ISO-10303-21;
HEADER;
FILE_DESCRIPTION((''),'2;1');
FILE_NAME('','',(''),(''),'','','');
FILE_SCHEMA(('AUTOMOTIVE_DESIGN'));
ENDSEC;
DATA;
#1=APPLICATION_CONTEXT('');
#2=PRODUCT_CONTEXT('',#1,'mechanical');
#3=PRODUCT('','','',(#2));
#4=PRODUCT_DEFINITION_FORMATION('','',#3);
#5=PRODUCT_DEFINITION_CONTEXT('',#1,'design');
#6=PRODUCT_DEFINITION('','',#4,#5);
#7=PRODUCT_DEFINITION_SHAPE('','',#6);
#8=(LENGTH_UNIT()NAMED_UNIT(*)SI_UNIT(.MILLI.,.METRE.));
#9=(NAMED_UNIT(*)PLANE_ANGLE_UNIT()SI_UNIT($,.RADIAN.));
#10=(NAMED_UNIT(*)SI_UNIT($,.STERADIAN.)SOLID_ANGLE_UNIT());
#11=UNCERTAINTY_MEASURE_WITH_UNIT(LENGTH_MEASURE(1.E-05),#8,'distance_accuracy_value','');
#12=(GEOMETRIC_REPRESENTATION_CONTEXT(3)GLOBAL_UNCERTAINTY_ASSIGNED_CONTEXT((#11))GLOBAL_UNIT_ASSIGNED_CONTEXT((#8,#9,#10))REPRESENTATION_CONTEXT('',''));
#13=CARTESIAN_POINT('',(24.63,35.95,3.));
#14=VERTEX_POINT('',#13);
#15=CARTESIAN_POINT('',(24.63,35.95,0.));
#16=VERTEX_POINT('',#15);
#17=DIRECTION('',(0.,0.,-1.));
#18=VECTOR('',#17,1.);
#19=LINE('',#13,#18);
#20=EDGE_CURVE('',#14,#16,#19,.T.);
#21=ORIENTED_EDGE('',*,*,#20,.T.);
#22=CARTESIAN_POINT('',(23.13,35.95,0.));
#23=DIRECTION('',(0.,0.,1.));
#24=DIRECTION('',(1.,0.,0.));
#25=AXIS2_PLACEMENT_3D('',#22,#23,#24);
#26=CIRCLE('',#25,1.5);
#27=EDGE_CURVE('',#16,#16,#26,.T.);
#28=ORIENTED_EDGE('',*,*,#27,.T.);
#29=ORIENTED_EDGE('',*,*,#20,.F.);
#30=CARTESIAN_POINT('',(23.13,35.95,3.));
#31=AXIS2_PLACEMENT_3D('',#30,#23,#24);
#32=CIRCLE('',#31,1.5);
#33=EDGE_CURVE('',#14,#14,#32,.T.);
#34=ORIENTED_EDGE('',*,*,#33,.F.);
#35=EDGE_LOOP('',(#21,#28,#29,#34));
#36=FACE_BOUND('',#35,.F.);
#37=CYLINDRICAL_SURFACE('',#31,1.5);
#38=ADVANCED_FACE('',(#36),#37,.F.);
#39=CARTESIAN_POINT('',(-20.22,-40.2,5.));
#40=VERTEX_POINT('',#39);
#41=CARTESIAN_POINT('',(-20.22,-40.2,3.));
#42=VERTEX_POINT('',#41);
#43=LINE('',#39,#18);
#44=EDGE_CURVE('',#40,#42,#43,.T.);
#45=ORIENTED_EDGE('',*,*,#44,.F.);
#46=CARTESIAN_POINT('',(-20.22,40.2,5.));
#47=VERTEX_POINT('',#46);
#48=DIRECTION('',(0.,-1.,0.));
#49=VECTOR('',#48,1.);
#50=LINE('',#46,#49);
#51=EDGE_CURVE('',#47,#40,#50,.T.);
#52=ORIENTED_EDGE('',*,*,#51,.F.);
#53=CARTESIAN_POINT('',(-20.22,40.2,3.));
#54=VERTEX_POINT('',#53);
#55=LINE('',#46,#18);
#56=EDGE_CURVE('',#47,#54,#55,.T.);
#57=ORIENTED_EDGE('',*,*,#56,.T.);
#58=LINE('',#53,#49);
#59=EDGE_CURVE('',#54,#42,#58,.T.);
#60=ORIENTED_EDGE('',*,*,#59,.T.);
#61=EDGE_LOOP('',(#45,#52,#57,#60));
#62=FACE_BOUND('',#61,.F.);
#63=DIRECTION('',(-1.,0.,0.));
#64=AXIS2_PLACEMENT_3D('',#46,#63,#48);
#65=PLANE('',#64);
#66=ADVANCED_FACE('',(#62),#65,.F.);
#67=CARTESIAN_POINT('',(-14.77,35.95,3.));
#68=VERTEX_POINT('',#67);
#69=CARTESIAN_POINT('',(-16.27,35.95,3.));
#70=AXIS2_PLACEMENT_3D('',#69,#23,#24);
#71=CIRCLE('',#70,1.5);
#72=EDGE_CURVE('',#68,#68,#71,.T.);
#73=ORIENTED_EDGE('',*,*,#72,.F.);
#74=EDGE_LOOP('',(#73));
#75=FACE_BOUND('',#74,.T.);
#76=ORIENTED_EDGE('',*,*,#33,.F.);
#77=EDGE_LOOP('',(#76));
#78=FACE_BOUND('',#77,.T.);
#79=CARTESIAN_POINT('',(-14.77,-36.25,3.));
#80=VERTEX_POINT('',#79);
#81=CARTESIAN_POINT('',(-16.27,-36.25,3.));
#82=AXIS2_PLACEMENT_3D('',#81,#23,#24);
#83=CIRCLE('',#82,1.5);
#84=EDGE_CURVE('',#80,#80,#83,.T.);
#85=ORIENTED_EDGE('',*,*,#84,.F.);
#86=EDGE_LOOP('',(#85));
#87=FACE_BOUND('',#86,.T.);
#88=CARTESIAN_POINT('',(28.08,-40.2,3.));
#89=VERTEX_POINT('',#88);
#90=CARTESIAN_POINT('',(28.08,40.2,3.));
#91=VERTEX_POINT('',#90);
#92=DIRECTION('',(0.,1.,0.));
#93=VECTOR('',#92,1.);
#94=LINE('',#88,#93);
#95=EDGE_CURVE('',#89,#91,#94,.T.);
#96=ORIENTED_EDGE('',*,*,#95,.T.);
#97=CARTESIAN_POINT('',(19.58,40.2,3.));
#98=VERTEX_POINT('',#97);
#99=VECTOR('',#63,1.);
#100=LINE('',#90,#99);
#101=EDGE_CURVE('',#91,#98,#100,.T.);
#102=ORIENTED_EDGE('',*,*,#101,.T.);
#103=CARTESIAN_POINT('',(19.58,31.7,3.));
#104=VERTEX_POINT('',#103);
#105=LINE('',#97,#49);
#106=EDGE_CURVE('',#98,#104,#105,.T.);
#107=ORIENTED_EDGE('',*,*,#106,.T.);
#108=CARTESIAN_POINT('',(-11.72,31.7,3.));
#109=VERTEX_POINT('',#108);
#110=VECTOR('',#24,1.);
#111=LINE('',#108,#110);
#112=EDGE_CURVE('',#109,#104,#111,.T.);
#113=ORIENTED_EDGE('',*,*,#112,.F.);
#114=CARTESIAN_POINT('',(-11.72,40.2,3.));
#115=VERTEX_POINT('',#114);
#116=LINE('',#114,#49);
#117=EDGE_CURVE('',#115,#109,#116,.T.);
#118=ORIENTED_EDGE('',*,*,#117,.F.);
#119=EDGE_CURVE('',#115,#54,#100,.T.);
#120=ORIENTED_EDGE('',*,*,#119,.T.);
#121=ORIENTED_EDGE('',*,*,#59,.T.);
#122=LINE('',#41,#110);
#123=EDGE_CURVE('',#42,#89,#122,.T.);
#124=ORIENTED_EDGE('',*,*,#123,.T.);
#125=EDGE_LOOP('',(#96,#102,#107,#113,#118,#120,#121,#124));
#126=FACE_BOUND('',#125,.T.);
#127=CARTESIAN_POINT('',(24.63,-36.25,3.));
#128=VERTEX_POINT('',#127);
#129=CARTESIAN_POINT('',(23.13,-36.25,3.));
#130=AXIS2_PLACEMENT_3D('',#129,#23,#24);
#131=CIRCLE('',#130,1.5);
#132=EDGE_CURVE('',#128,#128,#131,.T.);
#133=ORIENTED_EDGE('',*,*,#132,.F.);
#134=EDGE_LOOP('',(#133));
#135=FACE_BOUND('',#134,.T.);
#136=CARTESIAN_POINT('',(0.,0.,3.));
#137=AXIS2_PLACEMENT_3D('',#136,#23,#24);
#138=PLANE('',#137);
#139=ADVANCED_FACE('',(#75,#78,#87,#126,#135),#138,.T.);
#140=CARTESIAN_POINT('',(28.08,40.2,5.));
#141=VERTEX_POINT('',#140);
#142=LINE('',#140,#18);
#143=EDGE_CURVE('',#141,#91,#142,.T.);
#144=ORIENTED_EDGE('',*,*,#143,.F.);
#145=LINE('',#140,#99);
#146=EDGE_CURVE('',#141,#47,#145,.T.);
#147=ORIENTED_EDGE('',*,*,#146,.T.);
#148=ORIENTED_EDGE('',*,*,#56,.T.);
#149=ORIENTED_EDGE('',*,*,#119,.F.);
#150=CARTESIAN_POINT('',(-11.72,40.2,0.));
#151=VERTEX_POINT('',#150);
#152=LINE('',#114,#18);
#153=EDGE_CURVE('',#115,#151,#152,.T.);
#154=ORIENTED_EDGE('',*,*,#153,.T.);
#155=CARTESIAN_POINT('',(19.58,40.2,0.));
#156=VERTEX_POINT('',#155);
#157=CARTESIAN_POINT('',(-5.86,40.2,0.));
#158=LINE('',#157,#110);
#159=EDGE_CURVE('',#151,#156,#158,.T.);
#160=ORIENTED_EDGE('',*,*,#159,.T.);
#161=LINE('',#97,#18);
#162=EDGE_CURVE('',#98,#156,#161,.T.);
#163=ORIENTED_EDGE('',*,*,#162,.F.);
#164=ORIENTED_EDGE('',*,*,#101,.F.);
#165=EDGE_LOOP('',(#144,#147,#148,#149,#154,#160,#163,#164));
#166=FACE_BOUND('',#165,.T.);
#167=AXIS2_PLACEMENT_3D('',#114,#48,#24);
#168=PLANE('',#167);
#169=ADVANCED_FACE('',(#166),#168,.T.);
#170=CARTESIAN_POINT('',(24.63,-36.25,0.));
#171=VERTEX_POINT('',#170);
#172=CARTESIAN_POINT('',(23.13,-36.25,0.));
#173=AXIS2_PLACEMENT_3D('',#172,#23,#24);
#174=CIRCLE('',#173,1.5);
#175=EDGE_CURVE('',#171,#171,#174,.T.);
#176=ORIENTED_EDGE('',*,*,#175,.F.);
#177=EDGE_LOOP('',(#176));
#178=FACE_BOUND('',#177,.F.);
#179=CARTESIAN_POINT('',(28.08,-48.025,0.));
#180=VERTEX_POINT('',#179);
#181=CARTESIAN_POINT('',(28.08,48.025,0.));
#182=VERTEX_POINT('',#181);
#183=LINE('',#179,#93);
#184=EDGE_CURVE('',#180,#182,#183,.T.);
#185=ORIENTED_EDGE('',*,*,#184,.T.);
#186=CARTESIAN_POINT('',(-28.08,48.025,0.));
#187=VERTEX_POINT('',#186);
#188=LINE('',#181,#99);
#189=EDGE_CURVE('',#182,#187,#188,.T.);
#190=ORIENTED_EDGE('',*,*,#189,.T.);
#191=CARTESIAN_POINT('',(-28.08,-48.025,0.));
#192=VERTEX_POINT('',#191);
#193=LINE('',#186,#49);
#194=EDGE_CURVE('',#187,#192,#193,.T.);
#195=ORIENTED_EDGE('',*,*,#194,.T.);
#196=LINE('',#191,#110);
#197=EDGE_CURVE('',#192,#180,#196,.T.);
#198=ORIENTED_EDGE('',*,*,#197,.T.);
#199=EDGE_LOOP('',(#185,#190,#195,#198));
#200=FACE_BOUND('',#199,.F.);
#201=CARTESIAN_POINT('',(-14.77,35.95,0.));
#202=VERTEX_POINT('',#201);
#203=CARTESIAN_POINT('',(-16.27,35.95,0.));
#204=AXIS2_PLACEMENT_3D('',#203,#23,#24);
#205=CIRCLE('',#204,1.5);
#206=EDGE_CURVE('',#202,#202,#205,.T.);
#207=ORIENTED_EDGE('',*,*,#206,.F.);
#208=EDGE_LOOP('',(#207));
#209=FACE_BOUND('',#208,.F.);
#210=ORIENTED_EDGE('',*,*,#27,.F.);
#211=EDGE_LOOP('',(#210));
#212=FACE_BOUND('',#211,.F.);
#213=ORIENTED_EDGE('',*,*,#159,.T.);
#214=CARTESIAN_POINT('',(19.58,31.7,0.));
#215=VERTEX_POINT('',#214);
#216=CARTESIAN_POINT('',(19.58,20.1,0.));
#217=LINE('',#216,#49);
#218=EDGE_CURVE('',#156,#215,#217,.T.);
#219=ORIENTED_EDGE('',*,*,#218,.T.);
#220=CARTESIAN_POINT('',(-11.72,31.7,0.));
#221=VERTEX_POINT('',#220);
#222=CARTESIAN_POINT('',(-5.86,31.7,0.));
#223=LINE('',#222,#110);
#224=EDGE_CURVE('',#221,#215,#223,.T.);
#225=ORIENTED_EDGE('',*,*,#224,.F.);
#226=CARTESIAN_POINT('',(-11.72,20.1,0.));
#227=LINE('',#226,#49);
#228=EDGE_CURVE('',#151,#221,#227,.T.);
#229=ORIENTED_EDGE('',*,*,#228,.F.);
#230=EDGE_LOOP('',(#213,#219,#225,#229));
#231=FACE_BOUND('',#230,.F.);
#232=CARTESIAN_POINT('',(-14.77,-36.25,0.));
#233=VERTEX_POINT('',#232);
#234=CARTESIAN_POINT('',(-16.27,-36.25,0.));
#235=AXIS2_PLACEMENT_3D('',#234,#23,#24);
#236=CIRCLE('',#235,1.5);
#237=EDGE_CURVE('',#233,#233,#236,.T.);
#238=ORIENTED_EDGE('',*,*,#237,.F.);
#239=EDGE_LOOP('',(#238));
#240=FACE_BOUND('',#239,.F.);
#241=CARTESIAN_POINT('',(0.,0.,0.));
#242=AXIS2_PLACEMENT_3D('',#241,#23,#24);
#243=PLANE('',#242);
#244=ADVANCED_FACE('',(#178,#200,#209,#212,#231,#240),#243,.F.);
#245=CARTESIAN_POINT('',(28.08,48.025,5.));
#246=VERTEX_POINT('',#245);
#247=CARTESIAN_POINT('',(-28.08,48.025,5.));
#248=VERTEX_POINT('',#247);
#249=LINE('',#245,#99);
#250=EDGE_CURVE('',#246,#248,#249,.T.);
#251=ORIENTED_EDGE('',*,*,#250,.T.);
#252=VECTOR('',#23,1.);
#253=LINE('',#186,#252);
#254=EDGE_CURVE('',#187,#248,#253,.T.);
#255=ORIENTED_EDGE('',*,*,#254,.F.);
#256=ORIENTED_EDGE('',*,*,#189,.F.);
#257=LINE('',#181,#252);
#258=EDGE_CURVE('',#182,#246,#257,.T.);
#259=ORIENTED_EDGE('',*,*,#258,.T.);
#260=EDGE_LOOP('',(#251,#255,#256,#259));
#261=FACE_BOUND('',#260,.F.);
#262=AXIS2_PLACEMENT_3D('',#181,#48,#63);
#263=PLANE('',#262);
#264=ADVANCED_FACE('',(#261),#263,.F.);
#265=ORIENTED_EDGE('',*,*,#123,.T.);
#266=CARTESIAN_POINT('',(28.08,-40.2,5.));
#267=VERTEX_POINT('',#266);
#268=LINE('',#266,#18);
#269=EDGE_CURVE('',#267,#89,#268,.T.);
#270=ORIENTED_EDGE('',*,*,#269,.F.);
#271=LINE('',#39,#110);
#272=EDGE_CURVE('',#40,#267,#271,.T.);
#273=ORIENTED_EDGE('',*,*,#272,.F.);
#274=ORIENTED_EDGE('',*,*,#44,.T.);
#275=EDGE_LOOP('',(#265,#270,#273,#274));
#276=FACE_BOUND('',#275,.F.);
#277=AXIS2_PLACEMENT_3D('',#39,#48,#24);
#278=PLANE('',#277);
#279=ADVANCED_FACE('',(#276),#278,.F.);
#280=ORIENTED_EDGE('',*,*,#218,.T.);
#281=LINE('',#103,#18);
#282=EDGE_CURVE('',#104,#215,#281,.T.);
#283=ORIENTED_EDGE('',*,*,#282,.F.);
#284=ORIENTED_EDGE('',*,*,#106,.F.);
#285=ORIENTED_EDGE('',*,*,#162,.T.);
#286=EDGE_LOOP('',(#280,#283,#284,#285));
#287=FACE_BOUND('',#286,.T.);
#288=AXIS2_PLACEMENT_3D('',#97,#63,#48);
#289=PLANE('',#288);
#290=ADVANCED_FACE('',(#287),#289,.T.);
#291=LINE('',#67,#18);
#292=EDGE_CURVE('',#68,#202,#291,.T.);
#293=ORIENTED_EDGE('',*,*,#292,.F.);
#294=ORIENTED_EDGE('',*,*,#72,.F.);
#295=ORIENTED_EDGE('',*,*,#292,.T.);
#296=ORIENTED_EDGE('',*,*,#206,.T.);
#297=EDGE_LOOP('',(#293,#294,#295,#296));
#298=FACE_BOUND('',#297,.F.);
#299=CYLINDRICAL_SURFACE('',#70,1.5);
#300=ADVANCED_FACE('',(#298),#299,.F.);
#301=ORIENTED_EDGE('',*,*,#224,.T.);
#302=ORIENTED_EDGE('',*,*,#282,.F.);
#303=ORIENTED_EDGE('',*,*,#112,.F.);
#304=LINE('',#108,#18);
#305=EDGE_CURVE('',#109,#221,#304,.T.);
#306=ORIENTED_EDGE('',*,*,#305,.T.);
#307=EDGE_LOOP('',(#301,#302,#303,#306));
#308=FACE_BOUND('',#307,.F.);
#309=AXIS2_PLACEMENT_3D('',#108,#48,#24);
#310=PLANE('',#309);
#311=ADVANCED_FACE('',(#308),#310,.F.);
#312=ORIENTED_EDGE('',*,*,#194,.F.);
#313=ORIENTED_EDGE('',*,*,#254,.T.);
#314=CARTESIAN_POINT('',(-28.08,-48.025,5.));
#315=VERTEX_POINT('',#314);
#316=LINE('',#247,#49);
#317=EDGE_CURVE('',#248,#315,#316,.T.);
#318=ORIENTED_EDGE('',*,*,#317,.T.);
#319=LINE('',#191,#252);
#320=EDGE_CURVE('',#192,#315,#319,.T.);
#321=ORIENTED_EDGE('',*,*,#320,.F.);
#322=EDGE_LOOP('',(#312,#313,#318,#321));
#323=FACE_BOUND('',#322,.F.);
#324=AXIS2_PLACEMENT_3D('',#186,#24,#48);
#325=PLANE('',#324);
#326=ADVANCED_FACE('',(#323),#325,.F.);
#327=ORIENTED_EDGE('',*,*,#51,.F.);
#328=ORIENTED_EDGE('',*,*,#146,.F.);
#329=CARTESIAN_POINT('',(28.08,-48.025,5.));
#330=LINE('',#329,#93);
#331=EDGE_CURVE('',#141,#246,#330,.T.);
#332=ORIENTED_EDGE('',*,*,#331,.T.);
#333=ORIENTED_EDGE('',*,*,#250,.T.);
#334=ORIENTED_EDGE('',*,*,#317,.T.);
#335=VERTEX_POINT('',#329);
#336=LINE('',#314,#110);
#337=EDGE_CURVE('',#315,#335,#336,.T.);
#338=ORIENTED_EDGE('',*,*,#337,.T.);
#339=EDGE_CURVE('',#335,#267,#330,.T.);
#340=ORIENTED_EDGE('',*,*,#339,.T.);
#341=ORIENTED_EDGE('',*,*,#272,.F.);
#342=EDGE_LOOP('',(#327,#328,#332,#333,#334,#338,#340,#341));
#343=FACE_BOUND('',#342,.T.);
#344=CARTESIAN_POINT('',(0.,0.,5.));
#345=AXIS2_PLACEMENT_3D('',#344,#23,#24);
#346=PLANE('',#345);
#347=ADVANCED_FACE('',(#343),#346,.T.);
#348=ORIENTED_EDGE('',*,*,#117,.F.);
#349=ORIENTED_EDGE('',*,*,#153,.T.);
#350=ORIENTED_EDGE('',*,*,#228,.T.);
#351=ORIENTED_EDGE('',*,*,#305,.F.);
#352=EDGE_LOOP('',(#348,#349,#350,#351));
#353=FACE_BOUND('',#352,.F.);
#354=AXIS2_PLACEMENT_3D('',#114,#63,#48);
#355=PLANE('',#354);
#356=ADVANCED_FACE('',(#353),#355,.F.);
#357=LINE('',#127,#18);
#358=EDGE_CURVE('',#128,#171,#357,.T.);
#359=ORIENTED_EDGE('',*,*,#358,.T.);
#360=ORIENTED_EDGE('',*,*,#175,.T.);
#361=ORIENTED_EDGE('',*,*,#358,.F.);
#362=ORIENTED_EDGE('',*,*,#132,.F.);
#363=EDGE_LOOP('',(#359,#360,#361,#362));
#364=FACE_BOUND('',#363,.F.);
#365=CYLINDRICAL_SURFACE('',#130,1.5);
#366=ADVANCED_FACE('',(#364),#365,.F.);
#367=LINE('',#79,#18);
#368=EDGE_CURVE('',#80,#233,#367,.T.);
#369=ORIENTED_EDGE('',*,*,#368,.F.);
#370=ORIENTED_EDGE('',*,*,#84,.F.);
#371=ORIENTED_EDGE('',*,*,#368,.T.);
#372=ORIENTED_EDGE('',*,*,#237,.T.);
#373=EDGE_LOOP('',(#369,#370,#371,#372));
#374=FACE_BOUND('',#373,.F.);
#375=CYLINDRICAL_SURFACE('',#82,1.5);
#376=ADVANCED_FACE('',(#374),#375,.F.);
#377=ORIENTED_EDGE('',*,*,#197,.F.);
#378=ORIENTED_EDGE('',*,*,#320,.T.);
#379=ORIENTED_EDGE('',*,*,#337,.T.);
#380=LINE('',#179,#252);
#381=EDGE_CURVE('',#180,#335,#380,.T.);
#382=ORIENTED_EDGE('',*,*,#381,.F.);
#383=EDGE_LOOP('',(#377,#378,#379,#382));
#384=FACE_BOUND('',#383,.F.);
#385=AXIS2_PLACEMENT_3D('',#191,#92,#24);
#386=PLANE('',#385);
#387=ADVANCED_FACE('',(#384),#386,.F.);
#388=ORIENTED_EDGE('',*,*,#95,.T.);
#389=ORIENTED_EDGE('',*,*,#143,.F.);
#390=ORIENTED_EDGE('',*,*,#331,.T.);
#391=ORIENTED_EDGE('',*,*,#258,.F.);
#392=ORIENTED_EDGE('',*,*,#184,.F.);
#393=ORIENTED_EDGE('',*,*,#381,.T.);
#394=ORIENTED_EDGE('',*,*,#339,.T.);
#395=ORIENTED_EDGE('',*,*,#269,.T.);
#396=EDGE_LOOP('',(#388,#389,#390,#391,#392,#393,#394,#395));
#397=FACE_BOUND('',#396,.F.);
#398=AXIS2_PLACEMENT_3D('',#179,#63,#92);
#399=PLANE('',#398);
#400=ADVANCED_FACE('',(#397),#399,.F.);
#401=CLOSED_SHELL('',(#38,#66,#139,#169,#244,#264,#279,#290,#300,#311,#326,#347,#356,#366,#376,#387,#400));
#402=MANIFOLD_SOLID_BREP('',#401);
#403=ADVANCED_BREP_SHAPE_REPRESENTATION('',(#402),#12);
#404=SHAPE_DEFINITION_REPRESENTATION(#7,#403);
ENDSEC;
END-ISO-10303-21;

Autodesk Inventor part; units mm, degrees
ref_plane "YZ Plane" through (0, 0, 0) normal (1, 0, 0) x (0, 1, 0)
ref_plane "XZ Plane" through (0, 0, 0) normal (0, 1, 0) x (-1, 0, 0)
ref_plane "XY Plane" through (0, 0, 0) normal (0, 0, 1) x (1, 0, 0)
sketch "Sketch1" plane through (0, 0, 0) normal (0, 0, 1) x (1, 0, 0)
  line L0 (-28.08, -48.025) -> (28.08, -48.025)
  line L1 (28.08, -48.025) -> (28.08, 48.025)
  line L2 (28.08, 48.025) -> (-28.08, 48.025)
  line L3 (-28.08, 48.025) -> (-28.08, -48.025)
  line L4 (-28.08, -48.025) -> (28.08, 48.025) construction
  line L5 (28.08, -48.025) -> (-28.08, 48.025) construction
  point P0 (0, 0)
  dimension "Length" = 56.16
  dimension "Height" = 96.05
extrude "BasicShape" add sketch "Sketch1" along normal blind 5
sketch "KeypadDimensions" plane through (0, 0, 5) normal (0, 0, 1) x (1, 0, 0)
  line L0 (-28.08, -48.025) -> (28.08, -48.025) construction
  line L1 (28.08, -48.025) -> (3.93, -48.025) construction
  line L2 (3.93, -48.025) -> (3.93, 0) construction
  line L3 (3.93, 0) -> (28.08, 0) construction
  line L4 (28.08, 0) -> (28.08, -48.025) construction
  line L5 (-20.22, -40.2) -> (28.08, -40.2)
  line L6 (28.08, -40.2) -> (28.08, 40.2)
  line L7 (28.08, 40.2) -> (-20.22, 40.2)
  line L8 (-20.22, 40.2) -> (-20.22, -40.2)
  line L9 (-20.22, -40.2) -> (28.08, 40.2) construction
  line L10 (28.08, -40.2) -> (-20.22, 40.2) construction
  point P0 (0, 0)
  dimension "d4" = 24.15
  dimension "d5" = 48.025
  dimension "KeypadLength" = 48.3
  dimension "KeypadHeight" = 80.4
extrude "KeypadCountersink" cut sketch "KeypadDimensions" against normal blind 2
sketch "Sketch3" plane through (0, 0, 3) normal (0, 0, 1) x (1, 0, 0)
  line L0 (-20.22, -40.2) -> (-20.22, 40.2) projected
  line L1 (-20.22, 40.2) -> (-11.72, 40.2)
  line L2 (-11.72, 40.2) -> (-11.72, 31.7)
  line L3 (-11.72, 31.7) -> (-20.22, 31.7)
  line L4 (-20.22, 31.7) -> (-20.22, 40.2)
  line L5 (-20.22, 40.2) -> (28.08, 40.2) projected
  line L6 (28.08, 40.2) -> (19.58, 40.2)
  line L7 (19.58, 40.2) -> (19.58, 31.7)
  line L8 (19.58, 31.7) -> (28.08, 31.7)
  line L9 (28.08, 31.7) -> (28.08, 40.2)
  line L10 (28.08, -40.2) -> (-20.22, -40.2) projected
  line L11 (-20.22, -40.2) -> (-11.72, -40.2)
  line L12 (-11.72, -40.2) -> (-11.72, -31.7)
  line L13 (-11.72, -31.7) -> (-20.22, -31.7)
  line L14 (-20.22, -31.7) -> (-20.22, -40.2)
  line L15 (28.08, -40.2) -> (19.58, -40.2)
  line L16 (19.58, -40.2) -> (19.58, -31.7)
  line L17 (19.58, -31.7) -> (28.08, -31.7)
  line L18 (28.08, -31.7) -> (28.08, -40.2)
  line L19 (-11.72, 31.7) -> (19.58, 31.7)
  line L20 (-20.22, 40.2) -> (-16.27, 40.2) construction
  line L21 (-16.27, 40.2) -> (-16.27, 35.95) construction
  line L22 (-16.27, 35.95) -> (-20.22, 35.95) construction
  line L23 (-20.22, 35.95) -> (-20.22, 40.2) construction
  circle A0 centre (-16.27, 35.95) radius 1.75 construction
  circle A1 centre (-16.27, 35.95) radius 1.5
  line L24 (28.08, 40.2) -> (28.08, -40.2) construction
  line L25 (28.08, 40.2) -> (23.13, 40.2) construction
  line L26 (23.13, 40.2) -> (23.13, 35.95) construction
  line L27 (23.13, 35.95) -> (28.08, 35.95) construction
  line L28 (28.08, 35.95) -> (28.08, 40.2) construction
  circle A2 centre (23.13, 35.95) radius 1.5
  line L29 (28.08, -40.2) -> (23.13, -40.2) construction
  line L30 (23.13, -40.2) -> (23.13, -36.25) construction
  line L31 (23.13, -36.25) -> (28.08, -36.25) construction
  line L32 (28.08, -36.25) -> (28.08, -40.2) construction
  line L33 (-20.22, -40.2) -> (-16.27, -40.2) construction
  line L34 (-16.27, -40.2) -> (-16.27, -36.25) construction
  line L35 (-16.27, -36.25) -> (-20.22, -36.25) construction
  line L36 (-20.22, -36.25) -> (-20.22, -40.2) construction
  circle A3 centre (-16.27, -36.25) radius 1.5
  circle A4 centre (23.13, -36.25) radius 1.5
  point P0 (0, 0)
  dimension "d10" = 8.5
  dimension "d11" = 8.5
  dimension "d12" = 8.5
  dimension "d13" = 8.5
  dimension "CornerLength" = 8.5
  dimension "d15" = 8.5
  dimension "d16" = 8.5
  dimension "d17" = 8.5
  dimension "KeypadHoleDiameter" = 3.5
  dimension "KeypadScrewHoleDiameterUntapped" = 3
  dimension "UpperKeypadHoleSpacingY" = 4.25
  dimension "LeftKeypadHoleSpacingX" = 3.95
  dimension "RightKeypadHoleSpacingX" = 4.95
  dimension "d23" = 4.25
  dimension "d25" = 3
  dimension "d26" = 4.95
  dimension "LowerKeypadHoleSpacingY" = 3.95
  dimension "d28" = 3
  dimension "d29" = 3
  dimension "d30" = 3.95
  dimension "d31" = 3.95
extrude "Extrusion3" cut sketch "Sketch3" against normal blind 5 contours L2 L5 L7 L19 | A1 | A2 | A3 | A4
thread "Thread1" size "M3x0.5" class "6H" standard "ANSI Metric M Profile" length 5
thread "Thread2" size "M3x0.5" class "6H" standard "ANSI Metric M Profile" length 5
thread "Thread3" size "M3x0.5" class "6H" standard "ANSI Metric M Profile" length 5
thread "Thread4" size "M3x0.5" class "6H" standard "ANSI Metric M Profile" length 3
equation "\"d4\" = 0.5 * KeypadLength"
equation "\"d5\" = 0.5 * Height"
equation "\"d15\" = CornerLength"
equation "\"d16\" = CornerLength"
equation "\"d17\" = CornerLength"
equation "\"d23\" = UpperKeypadHoleSpacingY"
equation "\"d25\" = KeypadScrewHoleDiameterUntapped"
equation "\"d26\" = RightKeypadHoleSpacingX"
equation "\"d28\" = KeypadScrewHoleDiameterUntapped"
equation "\"d29\" = KeypadScrewHoleDiameterUntapped"
equation "\"d30\" = LowerKeypadHoleSpacingY"
equation "\"d31\" = LeftKeypadHoleSpacingX"
equation "\"d32\" = Thickness"
equation "\"d34\" = Thickness"
equation "\"d36\" = Thickness"
equation "\"d38\" = Thickness"
equation "\"Thickness\" = 5"
properties part number "2020-04-12 KeypadOnly"
